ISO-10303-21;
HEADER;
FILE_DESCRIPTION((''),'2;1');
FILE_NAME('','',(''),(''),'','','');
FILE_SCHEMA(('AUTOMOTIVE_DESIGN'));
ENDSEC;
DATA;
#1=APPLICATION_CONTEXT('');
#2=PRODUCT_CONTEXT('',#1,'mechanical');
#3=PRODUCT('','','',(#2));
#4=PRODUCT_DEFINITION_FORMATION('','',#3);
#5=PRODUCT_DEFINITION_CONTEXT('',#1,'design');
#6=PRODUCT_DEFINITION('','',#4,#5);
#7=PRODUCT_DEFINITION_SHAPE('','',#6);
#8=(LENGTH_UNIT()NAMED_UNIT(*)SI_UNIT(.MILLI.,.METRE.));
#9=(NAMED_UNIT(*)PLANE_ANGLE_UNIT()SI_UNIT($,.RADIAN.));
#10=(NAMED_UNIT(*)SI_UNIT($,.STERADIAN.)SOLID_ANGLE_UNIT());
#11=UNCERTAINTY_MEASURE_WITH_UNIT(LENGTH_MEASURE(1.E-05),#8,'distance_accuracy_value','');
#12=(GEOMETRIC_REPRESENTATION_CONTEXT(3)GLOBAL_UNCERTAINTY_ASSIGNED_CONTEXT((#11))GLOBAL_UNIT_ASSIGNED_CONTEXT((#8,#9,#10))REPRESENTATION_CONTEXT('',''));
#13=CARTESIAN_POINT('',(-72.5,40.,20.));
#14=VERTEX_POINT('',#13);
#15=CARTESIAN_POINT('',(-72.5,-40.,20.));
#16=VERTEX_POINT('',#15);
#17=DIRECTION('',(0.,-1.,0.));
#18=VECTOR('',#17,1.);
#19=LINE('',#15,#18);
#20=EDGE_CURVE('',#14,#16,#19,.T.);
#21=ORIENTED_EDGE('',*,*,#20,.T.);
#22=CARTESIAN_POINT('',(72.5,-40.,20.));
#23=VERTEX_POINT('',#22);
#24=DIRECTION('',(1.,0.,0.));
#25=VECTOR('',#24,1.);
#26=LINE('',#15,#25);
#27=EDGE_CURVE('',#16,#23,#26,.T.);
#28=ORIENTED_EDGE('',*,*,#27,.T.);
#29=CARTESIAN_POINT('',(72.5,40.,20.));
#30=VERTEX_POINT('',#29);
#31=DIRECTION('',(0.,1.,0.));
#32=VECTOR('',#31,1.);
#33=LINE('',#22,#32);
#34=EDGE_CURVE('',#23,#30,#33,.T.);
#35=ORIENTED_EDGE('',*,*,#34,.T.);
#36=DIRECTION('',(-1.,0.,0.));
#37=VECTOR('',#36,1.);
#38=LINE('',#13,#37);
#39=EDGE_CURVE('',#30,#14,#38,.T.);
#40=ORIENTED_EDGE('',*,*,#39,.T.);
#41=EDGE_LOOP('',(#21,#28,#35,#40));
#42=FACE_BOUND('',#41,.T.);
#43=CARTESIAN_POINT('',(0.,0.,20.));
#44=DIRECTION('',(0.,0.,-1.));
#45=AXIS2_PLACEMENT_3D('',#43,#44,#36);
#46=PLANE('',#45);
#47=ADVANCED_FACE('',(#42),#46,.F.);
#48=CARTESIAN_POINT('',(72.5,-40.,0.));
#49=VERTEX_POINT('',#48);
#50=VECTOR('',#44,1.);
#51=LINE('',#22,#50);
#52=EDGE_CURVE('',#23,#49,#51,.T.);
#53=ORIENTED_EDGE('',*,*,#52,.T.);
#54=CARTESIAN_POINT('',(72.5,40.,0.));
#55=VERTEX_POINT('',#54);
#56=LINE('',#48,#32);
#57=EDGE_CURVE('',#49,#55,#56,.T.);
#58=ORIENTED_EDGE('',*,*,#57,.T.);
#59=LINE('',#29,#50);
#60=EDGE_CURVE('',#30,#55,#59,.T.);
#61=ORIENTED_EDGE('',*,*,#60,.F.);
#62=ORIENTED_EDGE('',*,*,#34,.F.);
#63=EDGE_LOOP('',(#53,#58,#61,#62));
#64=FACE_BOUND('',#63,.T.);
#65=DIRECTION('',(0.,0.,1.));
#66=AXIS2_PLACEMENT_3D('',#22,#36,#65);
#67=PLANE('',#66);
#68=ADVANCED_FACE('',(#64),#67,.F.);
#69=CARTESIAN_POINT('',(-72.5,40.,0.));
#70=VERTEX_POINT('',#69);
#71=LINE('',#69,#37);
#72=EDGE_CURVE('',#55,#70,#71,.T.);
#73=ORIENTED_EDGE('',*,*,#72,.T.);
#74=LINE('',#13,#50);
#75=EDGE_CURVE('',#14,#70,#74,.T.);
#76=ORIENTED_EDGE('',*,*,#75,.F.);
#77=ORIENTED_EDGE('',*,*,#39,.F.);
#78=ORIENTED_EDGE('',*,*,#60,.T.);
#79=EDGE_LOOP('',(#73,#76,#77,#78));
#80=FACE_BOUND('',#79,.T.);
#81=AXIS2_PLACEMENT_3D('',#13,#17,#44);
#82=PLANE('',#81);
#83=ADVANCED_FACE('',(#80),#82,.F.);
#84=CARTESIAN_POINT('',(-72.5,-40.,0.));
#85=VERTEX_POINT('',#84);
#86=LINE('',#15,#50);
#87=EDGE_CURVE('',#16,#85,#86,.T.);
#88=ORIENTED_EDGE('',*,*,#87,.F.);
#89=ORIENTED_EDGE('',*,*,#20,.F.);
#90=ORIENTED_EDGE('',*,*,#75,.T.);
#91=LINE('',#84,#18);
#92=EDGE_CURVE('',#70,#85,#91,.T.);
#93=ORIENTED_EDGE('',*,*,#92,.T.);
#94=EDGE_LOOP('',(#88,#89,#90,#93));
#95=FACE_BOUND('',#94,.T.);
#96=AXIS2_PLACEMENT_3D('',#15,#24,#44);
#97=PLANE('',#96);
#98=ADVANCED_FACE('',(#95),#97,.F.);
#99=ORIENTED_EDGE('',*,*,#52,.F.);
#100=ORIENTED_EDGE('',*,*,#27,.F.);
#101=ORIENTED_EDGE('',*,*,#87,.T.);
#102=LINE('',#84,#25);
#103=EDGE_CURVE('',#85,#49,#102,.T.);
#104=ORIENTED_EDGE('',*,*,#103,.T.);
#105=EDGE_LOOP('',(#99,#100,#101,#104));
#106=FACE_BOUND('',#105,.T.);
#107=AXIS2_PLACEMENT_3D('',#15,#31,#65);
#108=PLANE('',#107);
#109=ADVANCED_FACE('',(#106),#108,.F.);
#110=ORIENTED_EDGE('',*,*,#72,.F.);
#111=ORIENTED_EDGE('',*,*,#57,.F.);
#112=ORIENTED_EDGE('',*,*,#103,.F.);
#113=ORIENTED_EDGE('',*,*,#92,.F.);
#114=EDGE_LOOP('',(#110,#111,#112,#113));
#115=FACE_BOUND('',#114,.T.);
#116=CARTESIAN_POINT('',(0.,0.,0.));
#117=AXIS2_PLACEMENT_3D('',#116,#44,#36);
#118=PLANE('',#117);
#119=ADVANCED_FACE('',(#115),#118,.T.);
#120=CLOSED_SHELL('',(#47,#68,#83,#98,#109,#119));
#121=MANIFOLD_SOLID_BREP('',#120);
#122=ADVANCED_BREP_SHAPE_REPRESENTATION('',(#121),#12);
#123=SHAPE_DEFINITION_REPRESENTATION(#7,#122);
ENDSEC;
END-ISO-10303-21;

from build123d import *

# Parameters (mm, degrees)
SKETCH_1_W      = 145
SKETCH_1_H      = 80
EXTRUDE_1_DEPTH = 20


with BuildPart() as part:
    # 草图1 → 凸台-拉伸1 (new body)
    with BuildSketch(Plane.XY):
        Rectangle(SKETCH_1_W, SKETCH_1_H)
    extrude(amount=EXTRUDE_1_DEPTH)


solid = part.part
